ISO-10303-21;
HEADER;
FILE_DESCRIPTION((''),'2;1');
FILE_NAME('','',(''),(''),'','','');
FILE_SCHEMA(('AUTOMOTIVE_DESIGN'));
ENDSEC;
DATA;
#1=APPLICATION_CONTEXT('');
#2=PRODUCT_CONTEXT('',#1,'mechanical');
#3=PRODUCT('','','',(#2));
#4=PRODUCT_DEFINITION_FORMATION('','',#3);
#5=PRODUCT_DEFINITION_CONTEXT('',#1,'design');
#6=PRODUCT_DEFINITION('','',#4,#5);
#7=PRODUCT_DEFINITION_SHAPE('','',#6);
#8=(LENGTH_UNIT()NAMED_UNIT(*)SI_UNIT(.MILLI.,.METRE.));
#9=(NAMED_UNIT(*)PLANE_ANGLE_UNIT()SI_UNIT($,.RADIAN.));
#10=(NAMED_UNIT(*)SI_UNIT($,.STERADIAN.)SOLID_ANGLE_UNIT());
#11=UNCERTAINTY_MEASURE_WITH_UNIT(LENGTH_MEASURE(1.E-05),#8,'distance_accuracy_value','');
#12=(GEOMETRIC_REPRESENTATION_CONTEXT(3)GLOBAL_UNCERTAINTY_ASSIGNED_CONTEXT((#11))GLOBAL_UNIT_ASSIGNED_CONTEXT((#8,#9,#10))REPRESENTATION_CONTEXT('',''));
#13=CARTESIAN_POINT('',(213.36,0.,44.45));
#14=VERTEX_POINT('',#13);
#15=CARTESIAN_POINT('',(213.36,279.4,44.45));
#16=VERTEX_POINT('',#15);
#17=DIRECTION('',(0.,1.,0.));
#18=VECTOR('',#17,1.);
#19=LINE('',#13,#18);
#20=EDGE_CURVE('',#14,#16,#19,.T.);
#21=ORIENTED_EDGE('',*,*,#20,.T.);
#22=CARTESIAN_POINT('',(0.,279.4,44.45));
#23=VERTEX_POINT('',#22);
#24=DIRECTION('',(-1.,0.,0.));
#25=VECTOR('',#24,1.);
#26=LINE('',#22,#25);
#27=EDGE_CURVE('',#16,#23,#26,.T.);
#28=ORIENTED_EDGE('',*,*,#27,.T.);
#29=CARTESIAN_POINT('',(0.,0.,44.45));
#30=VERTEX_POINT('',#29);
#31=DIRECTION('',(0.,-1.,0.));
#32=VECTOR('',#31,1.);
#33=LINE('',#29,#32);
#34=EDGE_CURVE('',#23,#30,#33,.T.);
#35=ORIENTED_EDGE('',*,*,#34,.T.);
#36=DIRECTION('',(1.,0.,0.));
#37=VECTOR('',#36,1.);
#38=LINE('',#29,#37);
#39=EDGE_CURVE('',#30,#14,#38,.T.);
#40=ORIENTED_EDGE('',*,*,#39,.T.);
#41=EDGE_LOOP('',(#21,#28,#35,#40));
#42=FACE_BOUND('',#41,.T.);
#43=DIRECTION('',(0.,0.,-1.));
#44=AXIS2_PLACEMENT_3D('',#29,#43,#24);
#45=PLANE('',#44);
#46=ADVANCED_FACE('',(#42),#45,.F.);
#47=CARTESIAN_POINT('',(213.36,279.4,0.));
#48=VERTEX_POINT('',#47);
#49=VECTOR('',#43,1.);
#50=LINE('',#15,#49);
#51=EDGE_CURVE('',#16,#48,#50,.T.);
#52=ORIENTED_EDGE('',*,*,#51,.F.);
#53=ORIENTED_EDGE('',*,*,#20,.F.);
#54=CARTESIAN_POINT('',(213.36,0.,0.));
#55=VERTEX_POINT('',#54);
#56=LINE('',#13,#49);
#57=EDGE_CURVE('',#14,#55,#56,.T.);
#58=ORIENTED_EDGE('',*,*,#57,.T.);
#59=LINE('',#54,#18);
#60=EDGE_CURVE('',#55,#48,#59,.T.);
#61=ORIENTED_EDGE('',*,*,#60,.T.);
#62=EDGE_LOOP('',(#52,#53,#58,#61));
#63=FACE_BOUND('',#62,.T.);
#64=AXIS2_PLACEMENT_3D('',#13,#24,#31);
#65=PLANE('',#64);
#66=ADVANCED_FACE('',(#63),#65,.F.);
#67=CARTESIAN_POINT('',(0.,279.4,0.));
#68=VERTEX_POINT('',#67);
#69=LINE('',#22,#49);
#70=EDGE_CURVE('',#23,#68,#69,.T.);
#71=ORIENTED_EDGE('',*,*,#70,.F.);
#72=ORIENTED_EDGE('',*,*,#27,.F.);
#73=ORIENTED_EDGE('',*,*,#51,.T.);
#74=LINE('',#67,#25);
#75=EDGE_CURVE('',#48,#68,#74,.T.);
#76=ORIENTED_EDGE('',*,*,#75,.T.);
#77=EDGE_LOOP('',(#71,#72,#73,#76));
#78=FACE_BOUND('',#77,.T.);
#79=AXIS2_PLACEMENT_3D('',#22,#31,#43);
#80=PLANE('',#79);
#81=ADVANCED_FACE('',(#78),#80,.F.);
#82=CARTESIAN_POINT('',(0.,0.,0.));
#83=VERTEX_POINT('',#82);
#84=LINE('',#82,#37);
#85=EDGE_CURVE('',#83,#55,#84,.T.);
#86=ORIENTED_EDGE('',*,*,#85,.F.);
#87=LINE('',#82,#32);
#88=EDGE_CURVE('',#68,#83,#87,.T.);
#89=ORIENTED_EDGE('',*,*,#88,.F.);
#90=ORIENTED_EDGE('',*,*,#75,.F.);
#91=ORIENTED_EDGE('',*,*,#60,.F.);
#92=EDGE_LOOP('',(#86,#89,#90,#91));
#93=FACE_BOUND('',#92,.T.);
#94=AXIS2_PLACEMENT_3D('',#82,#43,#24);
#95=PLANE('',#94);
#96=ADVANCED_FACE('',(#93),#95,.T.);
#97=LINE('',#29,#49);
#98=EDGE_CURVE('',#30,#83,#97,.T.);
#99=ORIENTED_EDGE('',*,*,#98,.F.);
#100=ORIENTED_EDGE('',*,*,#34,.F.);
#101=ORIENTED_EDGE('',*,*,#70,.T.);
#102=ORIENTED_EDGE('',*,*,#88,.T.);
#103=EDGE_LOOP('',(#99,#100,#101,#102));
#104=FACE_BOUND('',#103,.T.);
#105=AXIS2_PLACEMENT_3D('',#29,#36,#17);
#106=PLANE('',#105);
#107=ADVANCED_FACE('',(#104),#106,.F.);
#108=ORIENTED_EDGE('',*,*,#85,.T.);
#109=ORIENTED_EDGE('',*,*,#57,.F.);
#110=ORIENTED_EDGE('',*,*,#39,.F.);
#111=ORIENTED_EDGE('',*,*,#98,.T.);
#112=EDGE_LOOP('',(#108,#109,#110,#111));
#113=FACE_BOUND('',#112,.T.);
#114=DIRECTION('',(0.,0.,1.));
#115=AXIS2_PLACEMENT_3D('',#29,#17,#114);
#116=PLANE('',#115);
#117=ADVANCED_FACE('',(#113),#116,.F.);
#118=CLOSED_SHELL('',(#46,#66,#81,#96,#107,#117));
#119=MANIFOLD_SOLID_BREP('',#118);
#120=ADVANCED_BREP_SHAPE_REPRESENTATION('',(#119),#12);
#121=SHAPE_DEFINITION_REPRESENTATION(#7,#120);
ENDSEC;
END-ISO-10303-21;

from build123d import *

# Parameters (mm, degrees)
SKETCH1_W           = 213.36
SKETCH1_H           = 279.4
BOSS_EXTRUDE1_DEPTH = 44.45


with BuildPart() as part:
    # Sketch1 → Boss-Extrude1 (new body)
    with BuildSketch(Plane.XY):
        with Locations((106.68, 139.7)):
            Rectangle(SKETCH1_W, SKETCH1_H)
    extrude(amount=BOSS_EXTRUDE1_DEPTH)


solid = part.part
